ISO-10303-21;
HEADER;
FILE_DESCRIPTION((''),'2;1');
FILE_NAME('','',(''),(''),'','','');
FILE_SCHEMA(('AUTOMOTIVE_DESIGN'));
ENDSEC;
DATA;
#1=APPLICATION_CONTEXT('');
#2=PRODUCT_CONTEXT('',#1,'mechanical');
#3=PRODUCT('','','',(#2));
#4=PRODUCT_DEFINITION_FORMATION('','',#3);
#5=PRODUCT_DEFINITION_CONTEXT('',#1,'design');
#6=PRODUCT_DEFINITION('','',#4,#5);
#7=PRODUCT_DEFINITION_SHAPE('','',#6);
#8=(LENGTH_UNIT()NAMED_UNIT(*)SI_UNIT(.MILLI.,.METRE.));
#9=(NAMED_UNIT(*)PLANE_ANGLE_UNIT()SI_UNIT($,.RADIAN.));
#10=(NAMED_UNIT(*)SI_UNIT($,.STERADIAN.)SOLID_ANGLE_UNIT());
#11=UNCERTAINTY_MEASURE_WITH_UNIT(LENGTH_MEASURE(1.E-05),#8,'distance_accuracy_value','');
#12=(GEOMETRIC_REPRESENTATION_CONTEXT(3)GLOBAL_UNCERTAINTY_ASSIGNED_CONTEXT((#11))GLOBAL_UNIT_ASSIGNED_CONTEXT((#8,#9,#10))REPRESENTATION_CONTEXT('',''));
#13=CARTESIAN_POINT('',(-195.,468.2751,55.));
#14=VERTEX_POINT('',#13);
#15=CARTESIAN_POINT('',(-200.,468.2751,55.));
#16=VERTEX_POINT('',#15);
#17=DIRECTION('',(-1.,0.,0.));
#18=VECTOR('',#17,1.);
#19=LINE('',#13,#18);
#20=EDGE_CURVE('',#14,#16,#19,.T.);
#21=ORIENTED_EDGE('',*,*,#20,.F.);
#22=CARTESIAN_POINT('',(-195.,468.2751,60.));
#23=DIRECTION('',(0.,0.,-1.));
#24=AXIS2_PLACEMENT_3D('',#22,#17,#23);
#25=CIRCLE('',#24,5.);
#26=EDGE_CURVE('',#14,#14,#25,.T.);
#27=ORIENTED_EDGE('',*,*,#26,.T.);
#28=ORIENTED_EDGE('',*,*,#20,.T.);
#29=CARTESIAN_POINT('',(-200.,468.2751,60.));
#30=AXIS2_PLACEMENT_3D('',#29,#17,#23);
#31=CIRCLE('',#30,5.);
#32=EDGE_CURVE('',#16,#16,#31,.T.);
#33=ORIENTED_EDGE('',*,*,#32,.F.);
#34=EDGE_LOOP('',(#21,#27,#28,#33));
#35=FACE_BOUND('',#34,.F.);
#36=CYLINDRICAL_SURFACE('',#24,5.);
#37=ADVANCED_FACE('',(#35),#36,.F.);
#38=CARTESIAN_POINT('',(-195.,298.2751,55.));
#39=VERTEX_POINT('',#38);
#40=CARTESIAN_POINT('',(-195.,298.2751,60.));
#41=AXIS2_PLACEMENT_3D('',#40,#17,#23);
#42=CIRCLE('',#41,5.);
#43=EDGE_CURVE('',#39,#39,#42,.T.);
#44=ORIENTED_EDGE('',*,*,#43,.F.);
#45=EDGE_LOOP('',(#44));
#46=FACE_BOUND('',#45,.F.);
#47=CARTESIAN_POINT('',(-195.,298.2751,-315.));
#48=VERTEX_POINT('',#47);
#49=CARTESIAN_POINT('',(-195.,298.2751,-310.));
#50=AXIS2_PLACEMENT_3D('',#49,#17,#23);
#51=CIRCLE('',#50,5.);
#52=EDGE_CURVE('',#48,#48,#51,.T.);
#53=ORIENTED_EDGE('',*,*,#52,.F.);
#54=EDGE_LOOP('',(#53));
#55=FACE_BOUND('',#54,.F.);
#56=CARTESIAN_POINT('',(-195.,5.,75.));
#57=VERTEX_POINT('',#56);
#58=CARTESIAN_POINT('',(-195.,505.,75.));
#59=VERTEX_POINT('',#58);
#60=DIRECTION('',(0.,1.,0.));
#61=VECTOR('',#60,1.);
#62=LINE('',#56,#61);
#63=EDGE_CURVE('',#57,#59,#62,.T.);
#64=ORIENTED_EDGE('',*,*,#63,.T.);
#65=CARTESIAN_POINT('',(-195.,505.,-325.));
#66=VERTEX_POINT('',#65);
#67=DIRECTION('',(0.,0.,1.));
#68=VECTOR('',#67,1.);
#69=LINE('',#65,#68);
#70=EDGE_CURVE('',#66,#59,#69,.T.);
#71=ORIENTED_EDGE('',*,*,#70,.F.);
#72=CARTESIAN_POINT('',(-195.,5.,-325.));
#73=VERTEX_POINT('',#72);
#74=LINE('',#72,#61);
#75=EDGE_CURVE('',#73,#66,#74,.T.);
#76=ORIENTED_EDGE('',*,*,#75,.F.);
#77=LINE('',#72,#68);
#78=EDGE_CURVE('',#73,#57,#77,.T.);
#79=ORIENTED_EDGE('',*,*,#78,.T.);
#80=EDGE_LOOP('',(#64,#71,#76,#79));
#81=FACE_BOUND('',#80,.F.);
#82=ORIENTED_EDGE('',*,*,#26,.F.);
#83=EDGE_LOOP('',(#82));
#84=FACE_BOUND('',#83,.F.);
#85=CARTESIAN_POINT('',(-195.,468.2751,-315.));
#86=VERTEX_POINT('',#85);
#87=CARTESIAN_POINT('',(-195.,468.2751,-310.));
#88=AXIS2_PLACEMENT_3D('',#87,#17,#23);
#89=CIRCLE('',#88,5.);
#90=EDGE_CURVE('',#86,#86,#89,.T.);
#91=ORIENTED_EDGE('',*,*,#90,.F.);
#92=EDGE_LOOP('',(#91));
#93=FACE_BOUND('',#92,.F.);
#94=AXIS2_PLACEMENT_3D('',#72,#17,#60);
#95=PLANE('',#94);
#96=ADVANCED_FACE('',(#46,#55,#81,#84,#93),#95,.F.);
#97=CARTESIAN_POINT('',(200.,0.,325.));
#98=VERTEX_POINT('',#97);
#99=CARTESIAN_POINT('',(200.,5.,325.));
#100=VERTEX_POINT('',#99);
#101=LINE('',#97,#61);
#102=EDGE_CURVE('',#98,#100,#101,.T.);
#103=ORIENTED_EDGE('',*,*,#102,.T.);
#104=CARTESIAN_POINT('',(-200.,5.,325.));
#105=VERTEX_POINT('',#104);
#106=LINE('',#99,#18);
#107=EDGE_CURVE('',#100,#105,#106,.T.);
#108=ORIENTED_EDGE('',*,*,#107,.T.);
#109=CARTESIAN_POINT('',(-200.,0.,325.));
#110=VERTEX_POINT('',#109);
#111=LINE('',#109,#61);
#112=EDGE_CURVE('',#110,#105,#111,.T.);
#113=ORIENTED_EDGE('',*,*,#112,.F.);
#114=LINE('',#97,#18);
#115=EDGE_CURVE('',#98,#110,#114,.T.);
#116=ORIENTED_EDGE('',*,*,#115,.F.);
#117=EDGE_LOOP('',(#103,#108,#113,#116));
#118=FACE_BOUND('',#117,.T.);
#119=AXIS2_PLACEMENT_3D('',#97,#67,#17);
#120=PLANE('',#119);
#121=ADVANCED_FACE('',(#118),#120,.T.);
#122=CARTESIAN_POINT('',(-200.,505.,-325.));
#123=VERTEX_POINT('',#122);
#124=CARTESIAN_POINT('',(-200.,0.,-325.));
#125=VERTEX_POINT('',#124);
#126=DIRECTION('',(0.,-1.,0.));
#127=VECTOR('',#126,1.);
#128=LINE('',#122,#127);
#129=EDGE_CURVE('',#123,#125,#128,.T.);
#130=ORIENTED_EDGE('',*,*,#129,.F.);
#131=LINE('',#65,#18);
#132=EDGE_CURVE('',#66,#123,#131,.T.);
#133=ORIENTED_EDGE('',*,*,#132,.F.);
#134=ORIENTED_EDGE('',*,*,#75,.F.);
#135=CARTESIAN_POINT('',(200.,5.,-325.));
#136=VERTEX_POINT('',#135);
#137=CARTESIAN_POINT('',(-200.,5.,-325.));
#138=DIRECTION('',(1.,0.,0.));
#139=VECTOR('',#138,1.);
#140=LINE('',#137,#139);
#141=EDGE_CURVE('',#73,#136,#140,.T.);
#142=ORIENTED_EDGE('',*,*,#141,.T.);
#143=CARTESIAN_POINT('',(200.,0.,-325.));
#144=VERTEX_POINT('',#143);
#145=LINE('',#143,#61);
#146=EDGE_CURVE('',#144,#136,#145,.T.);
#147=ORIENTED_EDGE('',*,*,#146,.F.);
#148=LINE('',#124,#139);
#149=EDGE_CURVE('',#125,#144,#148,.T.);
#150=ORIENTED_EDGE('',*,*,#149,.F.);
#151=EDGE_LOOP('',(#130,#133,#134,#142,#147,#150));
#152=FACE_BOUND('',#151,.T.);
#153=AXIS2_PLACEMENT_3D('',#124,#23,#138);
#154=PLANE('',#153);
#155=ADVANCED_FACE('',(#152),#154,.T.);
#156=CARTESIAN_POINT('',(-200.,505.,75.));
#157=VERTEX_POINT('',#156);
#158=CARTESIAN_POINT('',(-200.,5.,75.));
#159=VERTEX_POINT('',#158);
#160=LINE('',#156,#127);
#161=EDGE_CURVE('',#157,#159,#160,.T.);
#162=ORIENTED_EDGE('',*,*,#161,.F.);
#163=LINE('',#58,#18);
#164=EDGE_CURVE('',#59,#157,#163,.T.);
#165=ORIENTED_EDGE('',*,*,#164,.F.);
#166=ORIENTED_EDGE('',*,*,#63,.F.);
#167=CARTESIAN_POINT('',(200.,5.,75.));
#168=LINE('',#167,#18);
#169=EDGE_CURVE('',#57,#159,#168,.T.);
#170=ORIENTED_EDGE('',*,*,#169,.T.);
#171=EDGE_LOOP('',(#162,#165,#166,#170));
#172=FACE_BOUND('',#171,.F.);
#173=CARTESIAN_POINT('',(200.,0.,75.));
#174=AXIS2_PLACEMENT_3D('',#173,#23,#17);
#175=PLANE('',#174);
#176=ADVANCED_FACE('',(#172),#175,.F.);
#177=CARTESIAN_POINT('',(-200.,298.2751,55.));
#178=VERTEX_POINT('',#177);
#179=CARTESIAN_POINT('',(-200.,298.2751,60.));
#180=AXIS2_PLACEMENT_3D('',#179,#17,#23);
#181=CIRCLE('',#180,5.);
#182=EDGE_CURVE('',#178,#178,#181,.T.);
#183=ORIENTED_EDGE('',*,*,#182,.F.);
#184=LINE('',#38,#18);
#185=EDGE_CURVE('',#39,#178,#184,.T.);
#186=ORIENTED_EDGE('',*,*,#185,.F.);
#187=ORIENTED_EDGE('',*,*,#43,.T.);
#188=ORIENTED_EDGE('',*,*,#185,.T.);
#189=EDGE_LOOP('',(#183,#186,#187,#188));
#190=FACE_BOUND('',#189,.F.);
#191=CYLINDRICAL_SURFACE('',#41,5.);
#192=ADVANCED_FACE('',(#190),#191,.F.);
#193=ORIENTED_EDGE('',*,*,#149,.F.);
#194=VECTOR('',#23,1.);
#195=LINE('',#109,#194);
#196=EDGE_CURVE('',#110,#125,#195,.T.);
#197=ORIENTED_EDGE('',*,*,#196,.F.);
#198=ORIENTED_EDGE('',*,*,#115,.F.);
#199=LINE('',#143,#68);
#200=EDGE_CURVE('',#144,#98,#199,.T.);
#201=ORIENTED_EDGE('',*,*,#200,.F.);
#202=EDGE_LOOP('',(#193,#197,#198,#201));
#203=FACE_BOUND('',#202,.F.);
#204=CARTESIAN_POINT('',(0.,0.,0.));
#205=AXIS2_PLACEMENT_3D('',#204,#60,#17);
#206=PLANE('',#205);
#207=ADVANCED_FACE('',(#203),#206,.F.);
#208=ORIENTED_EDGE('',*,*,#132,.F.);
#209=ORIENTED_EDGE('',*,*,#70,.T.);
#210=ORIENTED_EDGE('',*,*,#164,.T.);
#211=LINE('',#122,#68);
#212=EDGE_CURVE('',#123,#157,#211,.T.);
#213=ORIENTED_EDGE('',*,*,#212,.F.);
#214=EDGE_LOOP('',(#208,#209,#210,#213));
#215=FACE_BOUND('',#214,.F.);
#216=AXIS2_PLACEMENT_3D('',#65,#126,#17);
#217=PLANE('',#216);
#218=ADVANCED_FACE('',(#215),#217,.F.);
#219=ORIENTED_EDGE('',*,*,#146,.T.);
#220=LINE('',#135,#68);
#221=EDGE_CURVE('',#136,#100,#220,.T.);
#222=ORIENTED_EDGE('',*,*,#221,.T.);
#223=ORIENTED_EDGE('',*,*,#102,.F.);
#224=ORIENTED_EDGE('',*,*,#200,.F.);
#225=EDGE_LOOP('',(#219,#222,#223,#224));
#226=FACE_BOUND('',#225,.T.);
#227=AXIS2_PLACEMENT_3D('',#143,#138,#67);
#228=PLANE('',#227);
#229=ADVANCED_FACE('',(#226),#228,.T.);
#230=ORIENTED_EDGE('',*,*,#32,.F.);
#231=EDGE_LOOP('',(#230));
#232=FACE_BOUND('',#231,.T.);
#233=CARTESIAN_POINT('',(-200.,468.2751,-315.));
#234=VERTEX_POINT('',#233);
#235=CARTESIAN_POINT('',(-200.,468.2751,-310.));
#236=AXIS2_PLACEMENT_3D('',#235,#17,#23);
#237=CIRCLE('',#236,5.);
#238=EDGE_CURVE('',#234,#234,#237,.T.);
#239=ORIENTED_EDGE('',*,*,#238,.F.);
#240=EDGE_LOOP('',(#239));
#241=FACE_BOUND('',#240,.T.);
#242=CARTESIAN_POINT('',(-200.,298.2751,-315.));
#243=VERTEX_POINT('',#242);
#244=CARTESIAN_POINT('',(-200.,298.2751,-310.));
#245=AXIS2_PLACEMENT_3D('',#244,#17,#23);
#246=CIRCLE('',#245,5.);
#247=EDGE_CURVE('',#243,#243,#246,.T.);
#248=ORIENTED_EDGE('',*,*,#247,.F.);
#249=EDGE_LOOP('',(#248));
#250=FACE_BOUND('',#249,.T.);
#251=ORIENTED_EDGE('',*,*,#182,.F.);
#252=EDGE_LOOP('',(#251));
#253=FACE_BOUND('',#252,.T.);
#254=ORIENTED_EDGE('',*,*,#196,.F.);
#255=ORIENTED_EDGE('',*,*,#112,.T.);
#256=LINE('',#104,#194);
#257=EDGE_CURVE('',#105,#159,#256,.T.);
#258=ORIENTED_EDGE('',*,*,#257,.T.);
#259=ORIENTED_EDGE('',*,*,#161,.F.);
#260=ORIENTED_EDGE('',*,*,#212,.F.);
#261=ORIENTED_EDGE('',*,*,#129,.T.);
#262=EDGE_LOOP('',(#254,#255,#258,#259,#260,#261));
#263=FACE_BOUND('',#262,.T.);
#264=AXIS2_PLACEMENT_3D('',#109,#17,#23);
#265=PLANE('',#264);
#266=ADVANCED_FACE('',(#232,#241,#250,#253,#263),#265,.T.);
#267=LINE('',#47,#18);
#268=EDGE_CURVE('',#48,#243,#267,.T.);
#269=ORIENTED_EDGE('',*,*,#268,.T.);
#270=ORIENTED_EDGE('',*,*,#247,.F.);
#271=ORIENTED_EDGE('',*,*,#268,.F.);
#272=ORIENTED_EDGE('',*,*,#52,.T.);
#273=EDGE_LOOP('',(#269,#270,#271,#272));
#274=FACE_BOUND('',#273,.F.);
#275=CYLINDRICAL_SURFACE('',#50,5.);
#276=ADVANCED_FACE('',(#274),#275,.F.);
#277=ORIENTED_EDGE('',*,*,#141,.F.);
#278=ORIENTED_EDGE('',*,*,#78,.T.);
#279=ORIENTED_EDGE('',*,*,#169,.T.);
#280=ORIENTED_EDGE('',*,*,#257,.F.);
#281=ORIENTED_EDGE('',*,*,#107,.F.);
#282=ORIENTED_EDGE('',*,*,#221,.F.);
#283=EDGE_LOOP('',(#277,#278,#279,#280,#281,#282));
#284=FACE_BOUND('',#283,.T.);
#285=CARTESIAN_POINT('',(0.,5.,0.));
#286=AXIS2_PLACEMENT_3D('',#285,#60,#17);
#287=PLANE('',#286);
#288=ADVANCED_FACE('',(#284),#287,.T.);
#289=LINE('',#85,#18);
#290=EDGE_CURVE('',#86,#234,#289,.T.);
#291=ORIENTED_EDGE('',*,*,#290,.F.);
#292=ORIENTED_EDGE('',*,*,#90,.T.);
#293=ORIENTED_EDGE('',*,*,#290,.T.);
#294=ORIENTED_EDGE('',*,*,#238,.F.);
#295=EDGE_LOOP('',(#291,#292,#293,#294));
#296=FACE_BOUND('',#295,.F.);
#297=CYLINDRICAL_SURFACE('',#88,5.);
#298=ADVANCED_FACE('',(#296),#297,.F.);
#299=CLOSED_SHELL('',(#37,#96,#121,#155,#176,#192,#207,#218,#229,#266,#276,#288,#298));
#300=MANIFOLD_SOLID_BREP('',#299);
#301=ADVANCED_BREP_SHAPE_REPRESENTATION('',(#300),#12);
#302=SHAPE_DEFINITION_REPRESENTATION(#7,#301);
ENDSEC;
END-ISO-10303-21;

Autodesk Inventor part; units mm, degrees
ref_plane "YZ Plane" through (0, 0, 0) normal (1, 0, 0) x (0, 1, 0)
ref_plane "XZ Plane" through (0, 0, 0) normal (0, 1, 0) x (-1, 0, 0)
ref_plane "XY Plane" through (0, 0, 0) normal (0, 0, 1) x (1, 0, 0)
sketch "Sketch1" plane through (0, 0, 0) normal (0, 1, 0) x (-1, 0, 0)
  line L0 (-200, 325) -> (200, 325)
  line L1 (200, 325) -> (200, -325)
  line L2 (200, -325) -> (-200, -325)
  line L3 (-200, -325) -> (-200, 325)
  line L4 (-200, 325) -> (200, -325) construction
  line L5 (200, 325) -> (-200, -325) construction
  point P0 (0, 0)
  dimension "d0" = 650
  dimension "d1" = 400
extrude "Extrusion1" add sketch "Sketch1" along normal blind 5
sketch "Sketch2" plane through (200, 0, -325) normal (0, 0, -1) x (-1, 0, 0)
  line L0 (0, 5) -> (400, 5) projected
  line L1 (400, 5) -> (395, 5)
  line L2 (395, 5) -> (395, 505)
  line L3 (395, 505) -> (400, 505)
  line L4 (400, 505) -> (400, 5)
  point P0 (200, 0)
  dimension "d4" = 5
  dimension "d5" = 500
extrude "Extrusion2" add sketch "Sketch2" against normal blind 400
sketch "Sketch3" plane through (-195, 5, -325) normal (1, 0, 0) x (0, 0, -1)
  line L0 (-400, 0) -> (-400, 500) projected
  line L1 (0, 500) -> (0, 0) projected
  point P0 (-325, -5)
  point P1 (-385, 463.2751)
  point P2 (-15, 463.2751)
  point P3 (-15, 293.2751)
  point P4 (-385, 293.2751)
  dimension "d8" = 15
  dimension "d9" = 15
  dimension "d10" = 170
hole "Hole1" at (-195, 468.2751, 60) at (-195, 468.2751, -310) at (-195, 298.2751, -310) at (-195, 298.2751, 60) direction (-1, 0, 0) diameter 10 end through all
properties part number "df"
